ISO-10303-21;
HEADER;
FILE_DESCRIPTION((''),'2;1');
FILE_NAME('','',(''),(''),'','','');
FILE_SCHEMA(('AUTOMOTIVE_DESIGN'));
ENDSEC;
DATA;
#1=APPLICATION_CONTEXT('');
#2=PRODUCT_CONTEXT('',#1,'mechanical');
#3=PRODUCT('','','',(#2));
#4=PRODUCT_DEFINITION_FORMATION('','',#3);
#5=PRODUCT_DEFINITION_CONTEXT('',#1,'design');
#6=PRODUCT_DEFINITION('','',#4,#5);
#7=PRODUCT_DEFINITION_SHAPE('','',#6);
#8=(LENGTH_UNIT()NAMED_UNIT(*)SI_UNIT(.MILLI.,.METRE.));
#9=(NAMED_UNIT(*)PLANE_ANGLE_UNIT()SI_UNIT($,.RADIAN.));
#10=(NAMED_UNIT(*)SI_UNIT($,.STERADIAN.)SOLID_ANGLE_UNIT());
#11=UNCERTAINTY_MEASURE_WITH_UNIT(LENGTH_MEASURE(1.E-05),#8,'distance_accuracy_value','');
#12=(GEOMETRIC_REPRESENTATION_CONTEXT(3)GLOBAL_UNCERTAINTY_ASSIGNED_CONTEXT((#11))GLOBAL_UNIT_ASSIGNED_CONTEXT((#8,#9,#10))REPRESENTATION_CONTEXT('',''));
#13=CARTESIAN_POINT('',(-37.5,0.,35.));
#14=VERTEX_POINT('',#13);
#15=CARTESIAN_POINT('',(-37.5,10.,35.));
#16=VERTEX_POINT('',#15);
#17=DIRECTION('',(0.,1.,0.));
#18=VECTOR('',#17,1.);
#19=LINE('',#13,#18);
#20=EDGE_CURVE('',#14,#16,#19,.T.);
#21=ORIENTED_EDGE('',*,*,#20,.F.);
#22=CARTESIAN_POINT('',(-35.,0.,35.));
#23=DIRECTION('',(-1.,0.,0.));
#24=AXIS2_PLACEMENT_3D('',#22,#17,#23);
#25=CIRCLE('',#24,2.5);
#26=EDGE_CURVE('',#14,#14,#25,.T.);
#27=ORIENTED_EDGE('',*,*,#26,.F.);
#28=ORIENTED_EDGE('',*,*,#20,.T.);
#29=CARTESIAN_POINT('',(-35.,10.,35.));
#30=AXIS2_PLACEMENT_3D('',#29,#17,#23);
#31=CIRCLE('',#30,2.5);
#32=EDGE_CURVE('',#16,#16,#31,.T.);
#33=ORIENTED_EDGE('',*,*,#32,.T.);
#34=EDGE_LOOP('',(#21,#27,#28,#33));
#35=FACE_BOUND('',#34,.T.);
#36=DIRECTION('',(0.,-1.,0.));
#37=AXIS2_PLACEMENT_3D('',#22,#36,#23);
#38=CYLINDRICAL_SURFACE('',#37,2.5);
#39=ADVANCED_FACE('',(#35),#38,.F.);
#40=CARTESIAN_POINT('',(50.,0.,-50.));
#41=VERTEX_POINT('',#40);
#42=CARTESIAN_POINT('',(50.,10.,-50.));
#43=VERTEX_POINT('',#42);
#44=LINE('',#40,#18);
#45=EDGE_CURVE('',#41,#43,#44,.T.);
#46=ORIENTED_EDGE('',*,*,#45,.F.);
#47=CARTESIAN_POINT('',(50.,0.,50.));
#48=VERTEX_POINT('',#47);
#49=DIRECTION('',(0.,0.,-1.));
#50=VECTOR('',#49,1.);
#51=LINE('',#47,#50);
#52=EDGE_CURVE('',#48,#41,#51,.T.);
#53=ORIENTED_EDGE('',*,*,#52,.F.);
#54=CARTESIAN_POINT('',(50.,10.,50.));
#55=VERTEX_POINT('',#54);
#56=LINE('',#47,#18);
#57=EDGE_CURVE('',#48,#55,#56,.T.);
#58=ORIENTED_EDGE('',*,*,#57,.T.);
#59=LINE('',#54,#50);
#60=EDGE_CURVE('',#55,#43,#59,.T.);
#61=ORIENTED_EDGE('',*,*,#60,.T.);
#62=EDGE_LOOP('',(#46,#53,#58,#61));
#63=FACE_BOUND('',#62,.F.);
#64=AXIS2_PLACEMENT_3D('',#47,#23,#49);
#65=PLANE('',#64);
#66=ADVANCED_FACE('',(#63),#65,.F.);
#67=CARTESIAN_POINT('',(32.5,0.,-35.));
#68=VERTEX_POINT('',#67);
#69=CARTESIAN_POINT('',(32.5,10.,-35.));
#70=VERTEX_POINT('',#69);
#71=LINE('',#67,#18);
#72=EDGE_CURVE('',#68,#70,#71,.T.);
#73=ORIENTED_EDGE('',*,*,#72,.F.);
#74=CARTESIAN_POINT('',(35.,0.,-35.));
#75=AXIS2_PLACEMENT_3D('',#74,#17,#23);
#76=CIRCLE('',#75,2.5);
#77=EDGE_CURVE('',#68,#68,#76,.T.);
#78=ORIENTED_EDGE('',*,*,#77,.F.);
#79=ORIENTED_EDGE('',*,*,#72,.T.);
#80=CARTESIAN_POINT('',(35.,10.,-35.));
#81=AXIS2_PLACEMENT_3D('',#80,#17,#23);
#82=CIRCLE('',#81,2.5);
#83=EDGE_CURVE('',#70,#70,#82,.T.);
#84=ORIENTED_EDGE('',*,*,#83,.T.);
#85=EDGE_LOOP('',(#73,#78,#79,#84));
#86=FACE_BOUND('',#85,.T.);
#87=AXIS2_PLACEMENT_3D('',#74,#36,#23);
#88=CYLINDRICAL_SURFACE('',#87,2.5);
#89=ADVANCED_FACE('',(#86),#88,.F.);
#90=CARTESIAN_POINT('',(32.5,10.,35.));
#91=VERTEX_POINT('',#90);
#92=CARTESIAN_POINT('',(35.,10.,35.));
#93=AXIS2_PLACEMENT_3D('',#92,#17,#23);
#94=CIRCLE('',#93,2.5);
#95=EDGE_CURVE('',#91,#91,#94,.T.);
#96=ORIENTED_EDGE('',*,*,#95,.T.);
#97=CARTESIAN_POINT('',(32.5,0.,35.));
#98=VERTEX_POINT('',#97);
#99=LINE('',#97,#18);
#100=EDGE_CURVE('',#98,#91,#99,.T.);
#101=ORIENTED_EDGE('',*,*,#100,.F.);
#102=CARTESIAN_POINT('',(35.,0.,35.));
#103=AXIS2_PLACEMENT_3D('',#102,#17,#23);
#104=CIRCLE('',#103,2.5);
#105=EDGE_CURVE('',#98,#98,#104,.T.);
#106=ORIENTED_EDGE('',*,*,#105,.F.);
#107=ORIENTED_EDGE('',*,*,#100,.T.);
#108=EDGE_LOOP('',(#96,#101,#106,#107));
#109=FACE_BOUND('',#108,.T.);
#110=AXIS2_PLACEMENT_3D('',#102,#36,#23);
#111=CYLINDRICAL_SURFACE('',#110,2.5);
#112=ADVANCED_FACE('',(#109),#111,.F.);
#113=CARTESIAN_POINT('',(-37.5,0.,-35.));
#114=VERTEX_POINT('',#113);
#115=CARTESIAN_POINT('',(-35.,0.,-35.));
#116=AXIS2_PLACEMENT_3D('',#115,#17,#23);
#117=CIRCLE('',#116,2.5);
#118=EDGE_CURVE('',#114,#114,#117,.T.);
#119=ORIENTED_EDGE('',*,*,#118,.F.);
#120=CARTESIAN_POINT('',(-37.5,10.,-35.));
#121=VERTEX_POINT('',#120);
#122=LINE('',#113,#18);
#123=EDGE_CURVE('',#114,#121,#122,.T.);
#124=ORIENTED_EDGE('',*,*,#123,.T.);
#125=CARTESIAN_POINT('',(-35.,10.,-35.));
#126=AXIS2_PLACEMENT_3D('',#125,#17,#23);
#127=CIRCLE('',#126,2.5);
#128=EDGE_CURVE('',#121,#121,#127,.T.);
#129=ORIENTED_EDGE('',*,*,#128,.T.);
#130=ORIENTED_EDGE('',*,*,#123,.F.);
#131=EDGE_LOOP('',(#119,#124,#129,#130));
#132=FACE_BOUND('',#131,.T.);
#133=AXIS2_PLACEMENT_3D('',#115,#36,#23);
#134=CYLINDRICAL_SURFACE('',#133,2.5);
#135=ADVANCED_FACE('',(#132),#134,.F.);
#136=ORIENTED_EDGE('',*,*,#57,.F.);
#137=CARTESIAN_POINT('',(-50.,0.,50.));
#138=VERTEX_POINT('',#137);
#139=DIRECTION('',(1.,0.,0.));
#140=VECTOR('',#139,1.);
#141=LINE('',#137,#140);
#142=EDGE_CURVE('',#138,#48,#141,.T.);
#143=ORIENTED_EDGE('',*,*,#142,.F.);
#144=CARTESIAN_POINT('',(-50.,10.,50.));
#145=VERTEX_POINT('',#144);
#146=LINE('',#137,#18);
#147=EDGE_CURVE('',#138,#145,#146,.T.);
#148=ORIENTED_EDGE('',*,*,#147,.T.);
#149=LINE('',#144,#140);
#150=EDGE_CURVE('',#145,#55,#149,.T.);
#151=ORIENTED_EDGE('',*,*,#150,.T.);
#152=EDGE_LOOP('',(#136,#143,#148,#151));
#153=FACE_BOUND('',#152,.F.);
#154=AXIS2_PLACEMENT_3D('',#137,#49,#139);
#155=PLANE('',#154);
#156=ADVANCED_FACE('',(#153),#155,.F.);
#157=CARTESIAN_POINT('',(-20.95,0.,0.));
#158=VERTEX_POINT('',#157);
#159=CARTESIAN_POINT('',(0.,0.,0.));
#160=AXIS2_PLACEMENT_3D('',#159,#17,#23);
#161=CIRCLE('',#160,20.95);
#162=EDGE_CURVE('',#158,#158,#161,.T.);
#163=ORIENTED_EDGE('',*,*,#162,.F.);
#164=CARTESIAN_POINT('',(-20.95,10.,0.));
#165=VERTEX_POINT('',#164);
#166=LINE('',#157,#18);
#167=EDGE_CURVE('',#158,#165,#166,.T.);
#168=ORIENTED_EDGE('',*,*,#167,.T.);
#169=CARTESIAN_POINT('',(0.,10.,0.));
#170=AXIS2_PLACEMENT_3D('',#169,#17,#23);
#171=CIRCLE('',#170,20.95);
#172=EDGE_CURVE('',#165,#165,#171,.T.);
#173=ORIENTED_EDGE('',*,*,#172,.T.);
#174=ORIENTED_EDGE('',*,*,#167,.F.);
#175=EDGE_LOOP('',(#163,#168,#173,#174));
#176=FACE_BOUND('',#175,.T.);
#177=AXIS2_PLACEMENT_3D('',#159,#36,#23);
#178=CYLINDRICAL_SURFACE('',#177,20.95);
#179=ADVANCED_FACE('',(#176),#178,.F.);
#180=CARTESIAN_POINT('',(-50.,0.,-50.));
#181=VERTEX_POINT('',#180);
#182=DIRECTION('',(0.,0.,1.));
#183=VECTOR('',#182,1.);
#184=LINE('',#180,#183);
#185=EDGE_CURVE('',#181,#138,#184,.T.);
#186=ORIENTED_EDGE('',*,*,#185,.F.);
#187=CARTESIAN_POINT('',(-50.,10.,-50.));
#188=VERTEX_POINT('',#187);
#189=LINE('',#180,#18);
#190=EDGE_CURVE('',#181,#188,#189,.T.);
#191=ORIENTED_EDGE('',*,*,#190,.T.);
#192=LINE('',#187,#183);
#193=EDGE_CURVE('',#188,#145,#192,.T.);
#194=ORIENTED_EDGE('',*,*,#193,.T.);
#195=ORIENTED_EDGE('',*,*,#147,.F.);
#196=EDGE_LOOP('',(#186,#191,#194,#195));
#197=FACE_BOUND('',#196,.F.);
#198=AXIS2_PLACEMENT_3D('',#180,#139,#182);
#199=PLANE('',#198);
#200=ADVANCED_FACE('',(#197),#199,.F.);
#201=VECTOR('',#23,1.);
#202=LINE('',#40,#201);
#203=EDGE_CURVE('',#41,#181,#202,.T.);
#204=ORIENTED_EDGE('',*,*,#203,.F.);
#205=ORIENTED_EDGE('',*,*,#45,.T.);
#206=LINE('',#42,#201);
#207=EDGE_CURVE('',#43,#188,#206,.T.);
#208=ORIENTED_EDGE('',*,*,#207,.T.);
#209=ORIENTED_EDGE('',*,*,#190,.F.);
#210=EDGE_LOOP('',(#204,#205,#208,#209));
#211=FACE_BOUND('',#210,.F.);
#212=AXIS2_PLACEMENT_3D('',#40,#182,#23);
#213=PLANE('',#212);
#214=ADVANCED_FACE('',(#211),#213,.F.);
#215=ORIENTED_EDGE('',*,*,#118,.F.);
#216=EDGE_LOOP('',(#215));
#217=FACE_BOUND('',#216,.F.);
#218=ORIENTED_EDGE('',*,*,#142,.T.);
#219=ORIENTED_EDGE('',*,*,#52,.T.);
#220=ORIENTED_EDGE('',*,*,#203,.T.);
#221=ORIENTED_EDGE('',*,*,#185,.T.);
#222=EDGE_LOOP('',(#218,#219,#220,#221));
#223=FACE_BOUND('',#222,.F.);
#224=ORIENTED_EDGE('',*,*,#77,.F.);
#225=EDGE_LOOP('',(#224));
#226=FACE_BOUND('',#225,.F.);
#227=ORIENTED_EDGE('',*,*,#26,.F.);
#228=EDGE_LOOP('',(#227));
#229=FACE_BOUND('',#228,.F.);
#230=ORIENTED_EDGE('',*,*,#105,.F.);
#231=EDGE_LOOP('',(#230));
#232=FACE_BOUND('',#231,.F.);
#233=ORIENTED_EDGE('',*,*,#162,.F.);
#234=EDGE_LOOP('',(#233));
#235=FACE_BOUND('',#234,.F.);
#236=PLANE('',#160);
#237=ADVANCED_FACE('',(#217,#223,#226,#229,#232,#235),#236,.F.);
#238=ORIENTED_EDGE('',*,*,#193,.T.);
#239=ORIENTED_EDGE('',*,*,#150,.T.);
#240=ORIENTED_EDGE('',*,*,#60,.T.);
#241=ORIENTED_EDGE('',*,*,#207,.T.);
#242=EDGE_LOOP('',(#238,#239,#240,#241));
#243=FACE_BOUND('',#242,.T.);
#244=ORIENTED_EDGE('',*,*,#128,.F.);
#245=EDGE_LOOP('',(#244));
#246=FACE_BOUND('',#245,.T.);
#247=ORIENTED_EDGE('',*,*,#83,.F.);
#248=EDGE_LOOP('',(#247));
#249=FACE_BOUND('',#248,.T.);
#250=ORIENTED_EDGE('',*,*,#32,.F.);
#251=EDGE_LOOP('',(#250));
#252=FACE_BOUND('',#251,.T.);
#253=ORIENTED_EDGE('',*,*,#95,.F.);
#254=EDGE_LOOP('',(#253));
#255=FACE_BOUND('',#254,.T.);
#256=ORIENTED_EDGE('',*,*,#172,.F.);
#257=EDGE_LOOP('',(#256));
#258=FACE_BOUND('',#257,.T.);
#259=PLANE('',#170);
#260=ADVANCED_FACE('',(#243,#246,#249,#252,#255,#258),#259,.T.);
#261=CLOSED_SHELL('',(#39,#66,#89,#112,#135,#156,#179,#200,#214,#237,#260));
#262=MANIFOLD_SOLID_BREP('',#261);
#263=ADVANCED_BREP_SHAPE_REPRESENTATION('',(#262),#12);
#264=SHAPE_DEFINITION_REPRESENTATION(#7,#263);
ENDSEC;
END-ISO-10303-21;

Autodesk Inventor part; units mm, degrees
ref_plane "YZ Plane" through (0, 0, 0) normal (1, 0, 0) x (0, 1, 0)
ref_plane "XZ Plane" through (0, 0, 0) normal (0, 1, 0) x (-1, 0, 0)
ref_plane "XY Plane" through (0, 0, 0) normal (0, 0, 1) x (1, 0, 0)
sketch "Sketch1" plane through (0, 0, 0) normal (0, 1, 0) x (-1, 0, 0)
  circle A0 centre (-35, 35) radius 2.5
  circle A1 centre (35, -35) radius 2.5
  circle A2 centre (35, 35) radius 2.5
  circle A3 centre (-35, -35) radius 2.5
  line L0 (-35, -35) -> (35, -35) construction
  circle A4 centre (0, 0) radius 20.95
  line L1 (35, -35) -> (35, 35) construction
  line L2 (-35, 35) -> (-35, -35) construction
  line L3 (35, 35) -> (-35, 35) construction
  line L4 (-35, 35) -> (35, -35) construction
  line L5 (35, 35) -> (-35, -35) construction
  line L6 (50, 50) -> (-50, 50)
  line L7 (-50, 50) -> (-50, -50)
  line L8 (-50, -50) -> (50, -50)
  line L9 (50, -50) -> (50, 50)
  line L10 (50, 50) -> (-50, -50) construction
  line L11 (-50, 50) -> (50, -50) construction
  dimension "d4" = 41.9
  dimension "d5" = 70
  dimension "d6" = 70
  dimension "d7" = 5
  dimension "d8" = 100
  dimension "d9" = 100
extrude "Extrusion1" add sketch "Sketch1" along normal blind 10
properties part number "Bearing Plate"
